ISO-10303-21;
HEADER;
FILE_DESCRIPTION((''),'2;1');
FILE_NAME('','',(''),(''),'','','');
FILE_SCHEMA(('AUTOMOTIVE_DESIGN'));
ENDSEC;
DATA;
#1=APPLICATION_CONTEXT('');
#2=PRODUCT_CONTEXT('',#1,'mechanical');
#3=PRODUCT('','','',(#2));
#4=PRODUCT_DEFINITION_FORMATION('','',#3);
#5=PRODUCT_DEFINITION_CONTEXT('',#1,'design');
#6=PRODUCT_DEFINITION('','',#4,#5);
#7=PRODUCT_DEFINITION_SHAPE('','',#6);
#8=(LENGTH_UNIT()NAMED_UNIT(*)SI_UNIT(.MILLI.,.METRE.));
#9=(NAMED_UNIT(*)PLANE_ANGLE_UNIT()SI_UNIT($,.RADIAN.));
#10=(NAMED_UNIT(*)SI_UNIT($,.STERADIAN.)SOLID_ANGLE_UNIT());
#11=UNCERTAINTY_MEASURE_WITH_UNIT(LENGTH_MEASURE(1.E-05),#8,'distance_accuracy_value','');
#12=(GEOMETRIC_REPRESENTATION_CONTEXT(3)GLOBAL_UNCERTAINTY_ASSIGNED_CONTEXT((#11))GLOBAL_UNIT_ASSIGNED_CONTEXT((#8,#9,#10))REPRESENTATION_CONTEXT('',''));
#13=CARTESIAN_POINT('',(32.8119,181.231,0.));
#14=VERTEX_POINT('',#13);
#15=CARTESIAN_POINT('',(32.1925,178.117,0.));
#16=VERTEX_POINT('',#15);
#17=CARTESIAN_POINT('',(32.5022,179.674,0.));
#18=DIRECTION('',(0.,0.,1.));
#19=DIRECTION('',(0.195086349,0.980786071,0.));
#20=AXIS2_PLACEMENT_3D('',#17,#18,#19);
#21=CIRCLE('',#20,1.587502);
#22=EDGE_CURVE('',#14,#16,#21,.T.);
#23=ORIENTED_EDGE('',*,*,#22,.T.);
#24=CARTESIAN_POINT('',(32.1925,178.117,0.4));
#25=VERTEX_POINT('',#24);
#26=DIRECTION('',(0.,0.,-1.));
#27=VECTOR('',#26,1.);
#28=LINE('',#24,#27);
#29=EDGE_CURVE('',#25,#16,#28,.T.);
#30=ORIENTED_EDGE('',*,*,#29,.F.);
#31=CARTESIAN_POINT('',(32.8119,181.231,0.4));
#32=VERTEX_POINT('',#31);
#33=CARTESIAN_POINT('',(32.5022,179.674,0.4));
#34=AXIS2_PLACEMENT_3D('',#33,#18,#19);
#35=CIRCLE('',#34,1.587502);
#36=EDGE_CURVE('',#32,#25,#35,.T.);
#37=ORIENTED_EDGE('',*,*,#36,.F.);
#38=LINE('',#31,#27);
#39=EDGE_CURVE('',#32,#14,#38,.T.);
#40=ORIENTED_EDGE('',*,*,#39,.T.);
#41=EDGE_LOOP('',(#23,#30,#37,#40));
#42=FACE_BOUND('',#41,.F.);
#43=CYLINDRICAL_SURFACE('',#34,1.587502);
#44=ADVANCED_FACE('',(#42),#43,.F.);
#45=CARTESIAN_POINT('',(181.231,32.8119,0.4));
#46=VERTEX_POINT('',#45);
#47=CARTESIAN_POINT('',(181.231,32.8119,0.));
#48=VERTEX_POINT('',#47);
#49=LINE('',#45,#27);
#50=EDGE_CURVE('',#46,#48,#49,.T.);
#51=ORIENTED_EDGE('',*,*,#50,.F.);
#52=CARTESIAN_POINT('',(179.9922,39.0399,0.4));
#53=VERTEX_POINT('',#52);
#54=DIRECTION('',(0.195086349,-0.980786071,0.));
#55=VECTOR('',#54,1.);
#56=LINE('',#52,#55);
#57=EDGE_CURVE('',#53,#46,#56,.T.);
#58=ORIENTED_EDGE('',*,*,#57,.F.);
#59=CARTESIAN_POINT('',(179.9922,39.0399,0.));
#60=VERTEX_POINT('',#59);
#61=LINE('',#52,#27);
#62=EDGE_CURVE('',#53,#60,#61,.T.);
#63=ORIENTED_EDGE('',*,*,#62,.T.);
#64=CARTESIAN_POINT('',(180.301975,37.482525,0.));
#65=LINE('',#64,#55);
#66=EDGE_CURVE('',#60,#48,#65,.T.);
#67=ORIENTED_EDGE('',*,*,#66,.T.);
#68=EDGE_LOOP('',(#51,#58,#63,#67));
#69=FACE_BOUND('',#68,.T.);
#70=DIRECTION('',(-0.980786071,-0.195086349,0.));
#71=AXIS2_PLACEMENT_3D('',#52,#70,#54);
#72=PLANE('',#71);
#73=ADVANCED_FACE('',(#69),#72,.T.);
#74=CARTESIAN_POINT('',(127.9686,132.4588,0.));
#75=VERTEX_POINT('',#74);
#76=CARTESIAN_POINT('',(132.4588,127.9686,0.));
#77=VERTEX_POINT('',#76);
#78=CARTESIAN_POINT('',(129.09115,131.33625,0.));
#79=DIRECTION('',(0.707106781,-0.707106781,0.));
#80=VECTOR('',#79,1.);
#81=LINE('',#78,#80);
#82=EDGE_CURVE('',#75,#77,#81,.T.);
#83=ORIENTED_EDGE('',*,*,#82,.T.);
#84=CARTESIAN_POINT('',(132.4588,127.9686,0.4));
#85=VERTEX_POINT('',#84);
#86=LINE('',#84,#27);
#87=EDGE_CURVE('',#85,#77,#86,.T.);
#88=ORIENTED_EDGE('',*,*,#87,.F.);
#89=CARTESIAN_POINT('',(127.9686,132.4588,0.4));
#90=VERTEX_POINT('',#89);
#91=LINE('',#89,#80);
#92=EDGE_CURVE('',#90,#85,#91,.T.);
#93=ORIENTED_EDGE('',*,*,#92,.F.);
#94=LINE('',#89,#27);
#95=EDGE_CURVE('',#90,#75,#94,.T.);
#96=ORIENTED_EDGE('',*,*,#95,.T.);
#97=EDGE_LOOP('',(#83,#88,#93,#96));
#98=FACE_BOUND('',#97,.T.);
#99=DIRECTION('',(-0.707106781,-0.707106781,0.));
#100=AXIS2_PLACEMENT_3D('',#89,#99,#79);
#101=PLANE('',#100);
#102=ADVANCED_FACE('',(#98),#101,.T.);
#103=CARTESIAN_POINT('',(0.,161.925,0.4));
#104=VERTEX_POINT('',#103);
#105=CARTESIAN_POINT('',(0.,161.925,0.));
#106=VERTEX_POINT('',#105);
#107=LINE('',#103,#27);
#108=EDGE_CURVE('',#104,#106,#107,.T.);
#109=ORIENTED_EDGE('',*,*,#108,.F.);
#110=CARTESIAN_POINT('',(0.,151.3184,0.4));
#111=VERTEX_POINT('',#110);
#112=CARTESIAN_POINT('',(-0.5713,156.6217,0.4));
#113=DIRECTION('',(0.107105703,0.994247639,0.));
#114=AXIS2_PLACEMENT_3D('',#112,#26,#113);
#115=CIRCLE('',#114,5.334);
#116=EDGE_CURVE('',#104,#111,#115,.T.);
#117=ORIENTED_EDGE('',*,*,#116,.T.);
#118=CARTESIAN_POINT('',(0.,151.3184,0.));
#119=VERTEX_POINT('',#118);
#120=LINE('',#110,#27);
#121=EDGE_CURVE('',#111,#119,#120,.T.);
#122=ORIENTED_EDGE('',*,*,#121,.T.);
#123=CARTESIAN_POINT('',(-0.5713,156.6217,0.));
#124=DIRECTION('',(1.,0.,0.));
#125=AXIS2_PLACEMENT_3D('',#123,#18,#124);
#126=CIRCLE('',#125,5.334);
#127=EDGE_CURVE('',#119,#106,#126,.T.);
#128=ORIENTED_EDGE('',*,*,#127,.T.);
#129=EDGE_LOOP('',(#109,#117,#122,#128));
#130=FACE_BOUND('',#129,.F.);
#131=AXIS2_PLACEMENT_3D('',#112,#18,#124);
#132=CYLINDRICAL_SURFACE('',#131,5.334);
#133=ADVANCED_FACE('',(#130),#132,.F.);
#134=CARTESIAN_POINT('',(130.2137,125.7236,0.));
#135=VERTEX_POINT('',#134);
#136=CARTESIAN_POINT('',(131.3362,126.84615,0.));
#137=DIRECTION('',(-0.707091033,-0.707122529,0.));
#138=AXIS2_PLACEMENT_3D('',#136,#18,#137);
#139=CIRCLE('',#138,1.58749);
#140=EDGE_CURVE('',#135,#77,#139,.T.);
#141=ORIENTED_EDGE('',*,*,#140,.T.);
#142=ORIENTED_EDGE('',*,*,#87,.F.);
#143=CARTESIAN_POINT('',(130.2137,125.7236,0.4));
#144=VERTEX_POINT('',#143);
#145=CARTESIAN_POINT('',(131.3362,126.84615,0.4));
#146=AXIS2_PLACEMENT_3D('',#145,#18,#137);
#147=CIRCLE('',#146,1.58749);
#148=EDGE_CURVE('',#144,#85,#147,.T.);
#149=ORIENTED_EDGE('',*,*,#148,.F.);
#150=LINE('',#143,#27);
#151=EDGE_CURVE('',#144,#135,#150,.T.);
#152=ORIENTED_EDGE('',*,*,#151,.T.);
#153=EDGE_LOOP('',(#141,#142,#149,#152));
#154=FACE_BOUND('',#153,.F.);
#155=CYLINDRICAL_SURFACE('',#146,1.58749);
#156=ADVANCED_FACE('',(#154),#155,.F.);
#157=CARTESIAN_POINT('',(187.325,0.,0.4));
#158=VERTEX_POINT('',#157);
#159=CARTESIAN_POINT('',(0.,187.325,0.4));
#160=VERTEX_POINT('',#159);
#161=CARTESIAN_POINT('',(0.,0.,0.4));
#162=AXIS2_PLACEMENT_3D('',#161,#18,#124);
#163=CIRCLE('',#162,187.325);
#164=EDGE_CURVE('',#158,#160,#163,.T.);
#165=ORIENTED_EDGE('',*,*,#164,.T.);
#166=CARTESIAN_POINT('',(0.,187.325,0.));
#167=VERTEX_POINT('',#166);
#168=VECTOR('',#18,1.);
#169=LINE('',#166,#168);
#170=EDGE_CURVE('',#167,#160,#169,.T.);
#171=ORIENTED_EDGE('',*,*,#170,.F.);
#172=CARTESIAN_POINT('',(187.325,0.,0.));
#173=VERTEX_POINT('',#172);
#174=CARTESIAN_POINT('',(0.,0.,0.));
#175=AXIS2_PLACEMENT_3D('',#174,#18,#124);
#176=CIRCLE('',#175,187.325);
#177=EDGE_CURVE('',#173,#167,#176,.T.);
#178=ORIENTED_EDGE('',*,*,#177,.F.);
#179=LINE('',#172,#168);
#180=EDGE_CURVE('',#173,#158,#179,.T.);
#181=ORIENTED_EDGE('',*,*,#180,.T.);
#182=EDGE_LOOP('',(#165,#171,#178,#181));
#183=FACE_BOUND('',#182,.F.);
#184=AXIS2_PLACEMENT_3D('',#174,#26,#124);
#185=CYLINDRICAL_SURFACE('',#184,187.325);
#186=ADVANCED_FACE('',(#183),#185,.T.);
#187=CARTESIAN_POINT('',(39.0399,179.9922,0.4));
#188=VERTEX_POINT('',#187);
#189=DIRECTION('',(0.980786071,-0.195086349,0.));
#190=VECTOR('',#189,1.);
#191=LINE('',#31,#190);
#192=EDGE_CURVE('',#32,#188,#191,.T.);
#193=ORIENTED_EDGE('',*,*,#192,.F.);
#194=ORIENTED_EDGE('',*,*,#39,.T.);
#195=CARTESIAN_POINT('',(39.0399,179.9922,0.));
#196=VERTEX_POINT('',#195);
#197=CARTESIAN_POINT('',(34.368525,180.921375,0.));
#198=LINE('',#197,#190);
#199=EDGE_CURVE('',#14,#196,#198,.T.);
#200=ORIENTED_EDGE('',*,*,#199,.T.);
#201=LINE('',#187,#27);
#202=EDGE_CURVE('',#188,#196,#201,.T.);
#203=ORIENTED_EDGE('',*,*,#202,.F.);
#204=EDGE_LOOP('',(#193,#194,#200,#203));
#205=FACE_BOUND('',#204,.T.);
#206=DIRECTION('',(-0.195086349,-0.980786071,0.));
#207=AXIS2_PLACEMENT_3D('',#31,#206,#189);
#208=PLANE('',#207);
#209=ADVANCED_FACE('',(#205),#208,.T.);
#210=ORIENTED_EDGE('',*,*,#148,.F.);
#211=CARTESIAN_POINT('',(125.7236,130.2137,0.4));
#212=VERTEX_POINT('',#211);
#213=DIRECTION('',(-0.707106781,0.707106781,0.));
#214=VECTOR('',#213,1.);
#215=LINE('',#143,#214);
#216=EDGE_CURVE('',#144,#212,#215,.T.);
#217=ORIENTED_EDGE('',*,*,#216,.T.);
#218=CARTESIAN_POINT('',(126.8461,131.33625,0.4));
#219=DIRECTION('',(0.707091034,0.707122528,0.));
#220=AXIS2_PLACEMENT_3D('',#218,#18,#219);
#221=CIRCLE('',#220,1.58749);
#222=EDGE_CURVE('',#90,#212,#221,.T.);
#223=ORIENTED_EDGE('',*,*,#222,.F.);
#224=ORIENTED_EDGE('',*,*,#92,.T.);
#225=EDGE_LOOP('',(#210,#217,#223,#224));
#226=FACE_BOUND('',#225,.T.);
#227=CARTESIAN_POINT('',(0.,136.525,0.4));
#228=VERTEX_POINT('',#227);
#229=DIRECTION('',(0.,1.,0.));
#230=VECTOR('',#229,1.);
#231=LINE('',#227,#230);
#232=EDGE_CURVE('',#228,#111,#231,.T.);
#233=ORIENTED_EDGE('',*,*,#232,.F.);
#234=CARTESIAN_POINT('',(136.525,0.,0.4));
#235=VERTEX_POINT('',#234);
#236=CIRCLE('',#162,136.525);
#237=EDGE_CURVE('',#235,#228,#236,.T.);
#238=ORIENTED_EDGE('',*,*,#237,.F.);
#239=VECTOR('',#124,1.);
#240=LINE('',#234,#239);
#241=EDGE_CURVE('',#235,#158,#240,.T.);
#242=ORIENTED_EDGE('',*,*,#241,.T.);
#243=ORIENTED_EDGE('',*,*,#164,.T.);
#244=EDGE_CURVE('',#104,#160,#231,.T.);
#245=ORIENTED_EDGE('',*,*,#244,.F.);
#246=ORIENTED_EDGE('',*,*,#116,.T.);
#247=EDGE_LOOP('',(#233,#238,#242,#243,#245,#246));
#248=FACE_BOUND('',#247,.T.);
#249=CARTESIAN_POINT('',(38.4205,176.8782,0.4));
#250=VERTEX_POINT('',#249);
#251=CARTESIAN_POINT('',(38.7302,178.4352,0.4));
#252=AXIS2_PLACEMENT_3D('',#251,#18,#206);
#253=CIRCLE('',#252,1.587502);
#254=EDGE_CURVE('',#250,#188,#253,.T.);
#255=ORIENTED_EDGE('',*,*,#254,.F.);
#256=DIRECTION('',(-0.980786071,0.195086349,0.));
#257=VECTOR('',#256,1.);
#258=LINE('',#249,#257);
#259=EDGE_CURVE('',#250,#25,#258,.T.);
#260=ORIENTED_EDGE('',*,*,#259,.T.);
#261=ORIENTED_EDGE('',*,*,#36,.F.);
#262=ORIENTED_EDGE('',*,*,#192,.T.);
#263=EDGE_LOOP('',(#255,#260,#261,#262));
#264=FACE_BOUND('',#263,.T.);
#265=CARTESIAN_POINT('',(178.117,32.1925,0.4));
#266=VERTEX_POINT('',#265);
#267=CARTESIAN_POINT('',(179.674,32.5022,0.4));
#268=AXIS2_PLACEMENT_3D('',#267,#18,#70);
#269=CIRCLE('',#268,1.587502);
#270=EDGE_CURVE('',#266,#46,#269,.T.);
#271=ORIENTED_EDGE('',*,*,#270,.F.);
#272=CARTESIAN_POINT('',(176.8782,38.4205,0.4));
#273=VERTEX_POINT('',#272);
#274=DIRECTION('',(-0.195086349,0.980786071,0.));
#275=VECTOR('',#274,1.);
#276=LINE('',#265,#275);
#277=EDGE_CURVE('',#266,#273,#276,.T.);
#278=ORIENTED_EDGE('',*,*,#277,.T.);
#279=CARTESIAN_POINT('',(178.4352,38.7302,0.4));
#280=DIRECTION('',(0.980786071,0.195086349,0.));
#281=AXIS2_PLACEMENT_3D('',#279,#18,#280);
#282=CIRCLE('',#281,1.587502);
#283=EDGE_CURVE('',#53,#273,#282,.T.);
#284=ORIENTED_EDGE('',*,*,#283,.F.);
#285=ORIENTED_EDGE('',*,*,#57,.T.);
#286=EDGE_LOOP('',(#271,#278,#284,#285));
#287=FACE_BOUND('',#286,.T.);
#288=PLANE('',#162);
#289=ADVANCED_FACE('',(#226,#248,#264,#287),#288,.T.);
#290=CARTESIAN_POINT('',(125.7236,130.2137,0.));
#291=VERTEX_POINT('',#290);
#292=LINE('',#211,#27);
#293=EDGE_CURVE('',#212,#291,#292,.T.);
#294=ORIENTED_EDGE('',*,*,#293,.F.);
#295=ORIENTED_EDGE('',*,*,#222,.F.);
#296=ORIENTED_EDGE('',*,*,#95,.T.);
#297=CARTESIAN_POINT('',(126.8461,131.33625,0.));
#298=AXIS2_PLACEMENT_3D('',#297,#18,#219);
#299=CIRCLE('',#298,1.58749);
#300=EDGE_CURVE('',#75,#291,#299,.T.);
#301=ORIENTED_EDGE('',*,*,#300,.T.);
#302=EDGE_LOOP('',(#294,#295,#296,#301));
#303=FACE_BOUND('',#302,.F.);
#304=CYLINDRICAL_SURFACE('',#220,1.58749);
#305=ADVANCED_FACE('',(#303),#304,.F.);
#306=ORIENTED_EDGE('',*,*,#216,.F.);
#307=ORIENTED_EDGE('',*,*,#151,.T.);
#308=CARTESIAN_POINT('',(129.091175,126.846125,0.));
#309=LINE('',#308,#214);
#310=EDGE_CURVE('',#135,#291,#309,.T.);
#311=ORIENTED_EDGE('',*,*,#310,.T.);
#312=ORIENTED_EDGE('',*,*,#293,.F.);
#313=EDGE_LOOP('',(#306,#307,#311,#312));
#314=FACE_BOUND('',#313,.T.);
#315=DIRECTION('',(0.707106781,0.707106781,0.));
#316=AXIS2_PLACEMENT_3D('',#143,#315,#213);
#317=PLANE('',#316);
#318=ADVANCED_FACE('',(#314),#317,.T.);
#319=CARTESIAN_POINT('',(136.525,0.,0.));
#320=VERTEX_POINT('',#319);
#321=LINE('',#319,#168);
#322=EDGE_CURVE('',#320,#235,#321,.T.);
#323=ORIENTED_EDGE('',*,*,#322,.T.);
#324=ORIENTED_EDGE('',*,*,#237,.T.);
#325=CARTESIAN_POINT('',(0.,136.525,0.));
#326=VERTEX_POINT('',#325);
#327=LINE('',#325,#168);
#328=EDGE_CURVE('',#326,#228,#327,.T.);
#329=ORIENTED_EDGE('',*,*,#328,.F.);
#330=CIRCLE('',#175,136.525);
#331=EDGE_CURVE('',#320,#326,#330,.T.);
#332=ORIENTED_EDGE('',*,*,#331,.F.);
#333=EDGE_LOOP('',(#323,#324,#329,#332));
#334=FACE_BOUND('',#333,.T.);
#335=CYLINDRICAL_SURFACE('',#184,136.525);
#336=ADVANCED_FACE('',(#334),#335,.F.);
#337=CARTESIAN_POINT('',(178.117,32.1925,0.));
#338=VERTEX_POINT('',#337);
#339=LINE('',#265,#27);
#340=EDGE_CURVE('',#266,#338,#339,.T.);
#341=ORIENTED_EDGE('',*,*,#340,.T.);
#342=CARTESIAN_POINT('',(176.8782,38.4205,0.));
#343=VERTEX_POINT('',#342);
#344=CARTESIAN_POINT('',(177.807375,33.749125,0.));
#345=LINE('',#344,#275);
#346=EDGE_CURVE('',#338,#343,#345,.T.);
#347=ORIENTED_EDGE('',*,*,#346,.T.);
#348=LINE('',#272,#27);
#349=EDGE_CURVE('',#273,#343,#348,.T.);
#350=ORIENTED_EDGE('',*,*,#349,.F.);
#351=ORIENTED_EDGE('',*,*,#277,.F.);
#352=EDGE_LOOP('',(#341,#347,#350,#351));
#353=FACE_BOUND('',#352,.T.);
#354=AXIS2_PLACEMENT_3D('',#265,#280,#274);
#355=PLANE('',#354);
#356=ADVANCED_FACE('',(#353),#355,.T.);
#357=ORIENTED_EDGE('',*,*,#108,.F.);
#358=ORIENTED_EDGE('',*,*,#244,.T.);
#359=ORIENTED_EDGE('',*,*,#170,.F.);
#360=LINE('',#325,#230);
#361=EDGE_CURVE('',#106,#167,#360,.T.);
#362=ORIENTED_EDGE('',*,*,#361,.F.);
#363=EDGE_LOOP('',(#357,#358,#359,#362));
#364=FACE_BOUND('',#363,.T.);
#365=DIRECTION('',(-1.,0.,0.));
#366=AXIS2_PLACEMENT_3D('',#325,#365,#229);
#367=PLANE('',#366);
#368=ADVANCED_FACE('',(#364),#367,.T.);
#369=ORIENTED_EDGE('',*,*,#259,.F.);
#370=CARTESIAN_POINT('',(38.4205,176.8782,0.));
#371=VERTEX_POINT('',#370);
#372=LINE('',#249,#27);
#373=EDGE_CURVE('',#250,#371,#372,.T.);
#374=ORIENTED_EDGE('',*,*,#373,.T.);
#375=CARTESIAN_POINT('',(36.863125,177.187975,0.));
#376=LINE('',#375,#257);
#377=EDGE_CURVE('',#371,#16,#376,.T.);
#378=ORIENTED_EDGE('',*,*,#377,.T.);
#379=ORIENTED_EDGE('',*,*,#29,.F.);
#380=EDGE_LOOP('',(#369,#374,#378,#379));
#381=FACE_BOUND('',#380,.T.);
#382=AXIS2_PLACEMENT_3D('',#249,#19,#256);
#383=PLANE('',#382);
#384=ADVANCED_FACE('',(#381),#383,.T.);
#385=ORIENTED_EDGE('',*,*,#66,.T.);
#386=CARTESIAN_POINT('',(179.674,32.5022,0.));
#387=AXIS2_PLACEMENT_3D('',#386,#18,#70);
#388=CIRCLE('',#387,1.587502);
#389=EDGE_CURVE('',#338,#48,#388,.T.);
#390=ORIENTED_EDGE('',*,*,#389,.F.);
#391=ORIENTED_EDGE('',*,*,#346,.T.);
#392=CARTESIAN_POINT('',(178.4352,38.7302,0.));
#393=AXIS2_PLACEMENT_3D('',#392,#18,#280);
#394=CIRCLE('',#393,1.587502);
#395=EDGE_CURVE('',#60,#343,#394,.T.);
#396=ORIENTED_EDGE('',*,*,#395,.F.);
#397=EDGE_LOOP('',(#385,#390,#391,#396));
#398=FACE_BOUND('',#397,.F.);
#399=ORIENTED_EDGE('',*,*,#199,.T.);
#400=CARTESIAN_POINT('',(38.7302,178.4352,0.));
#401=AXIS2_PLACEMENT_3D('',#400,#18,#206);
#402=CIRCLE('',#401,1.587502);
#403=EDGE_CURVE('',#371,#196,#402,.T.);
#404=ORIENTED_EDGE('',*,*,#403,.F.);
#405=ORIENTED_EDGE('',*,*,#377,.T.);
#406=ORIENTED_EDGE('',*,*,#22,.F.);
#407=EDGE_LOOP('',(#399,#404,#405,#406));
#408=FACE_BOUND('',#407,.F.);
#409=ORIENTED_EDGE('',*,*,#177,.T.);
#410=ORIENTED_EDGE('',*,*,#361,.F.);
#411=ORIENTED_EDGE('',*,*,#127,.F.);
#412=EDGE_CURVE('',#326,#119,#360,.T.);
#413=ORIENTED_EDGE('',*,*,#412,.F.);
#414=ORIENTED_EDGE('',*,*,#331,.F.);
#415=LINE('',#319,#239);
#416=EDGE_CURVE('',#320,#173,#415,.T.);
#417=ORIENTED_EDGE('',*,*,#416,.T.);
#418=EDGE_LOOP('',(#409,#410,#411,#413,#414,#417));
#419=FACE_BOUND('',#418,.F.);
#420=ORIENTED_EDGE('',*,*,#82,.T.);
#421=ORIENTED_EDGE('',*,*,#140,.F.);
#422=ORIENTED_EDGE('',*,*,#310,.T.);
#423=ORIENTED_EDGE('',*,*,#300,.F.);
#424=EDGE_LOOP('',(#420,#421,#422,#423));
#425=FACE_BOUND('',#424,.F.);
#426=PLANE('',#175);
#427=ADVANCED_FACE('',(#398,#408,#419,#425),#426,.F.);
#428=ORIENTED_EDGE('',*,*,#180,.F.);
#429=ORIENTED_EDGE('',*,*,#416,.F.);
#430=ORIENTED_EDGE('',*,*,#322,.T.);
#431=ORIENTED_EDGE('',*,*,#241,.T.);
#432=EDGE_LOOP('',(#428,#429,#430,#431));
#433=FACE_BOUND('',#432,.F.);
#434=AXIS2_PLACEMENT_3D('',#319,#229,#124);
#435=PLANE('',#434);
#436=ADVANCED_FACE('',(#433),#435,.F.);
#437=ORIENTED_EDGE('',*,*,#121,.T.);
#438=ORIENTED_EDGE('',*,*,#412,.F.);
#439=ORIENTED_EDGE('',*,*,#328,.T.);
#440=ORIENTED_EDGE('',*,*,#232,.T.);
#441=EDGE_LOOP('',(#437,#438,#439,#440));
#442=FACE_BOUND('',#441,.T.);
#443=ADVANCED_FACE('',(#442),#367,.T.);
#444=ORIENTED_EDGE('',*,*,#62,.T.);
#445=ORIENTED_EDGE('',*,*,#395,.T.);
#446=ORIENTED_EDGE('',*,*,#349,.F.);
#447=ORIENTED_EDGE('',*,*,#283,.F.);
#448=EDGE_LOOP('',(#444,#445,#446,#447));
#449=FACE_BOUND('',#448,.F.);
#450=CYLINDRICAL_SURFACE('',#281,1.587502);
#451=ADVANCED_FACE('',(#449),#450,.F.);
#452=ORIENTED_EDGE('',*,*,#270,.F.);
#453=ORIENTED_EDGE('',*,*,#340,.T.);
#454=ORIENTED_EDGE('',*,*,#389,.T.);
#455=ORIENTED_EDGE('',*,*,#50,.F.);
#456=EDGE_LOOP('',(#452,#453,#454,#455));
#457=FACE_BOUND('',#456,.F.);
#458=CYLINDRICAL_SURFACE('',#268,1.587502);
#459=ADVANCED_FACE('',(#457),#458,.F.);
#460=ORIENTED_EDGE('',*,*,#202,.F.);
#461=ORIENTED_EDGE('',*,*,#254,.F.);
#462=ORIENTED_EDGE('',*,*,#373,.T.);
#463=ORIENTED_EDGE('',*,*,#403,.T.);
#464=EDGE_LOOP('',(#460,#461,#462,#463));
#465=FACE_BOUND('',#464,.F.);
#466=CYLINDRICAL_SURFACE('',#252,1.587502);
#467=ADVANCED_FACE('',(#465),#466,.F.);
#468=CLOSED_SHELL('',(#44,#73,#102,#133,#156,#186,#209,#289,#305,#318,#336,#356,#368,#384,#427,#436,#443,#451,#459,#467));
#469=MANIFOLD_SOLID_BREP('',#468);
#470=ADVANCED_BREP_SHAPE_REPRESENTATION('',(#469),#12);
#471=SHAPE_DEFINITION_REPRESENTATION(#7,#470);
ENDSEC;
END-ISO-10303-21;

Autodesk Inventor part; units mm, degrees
ref_plane "YZ Plane" through (0, 0, 0) normal (1, 0, 0) x (0, 1, 0)
ref_plane "XZ Plane" through (0, 0, 0) normal (0, 1, 0) x (-1, 0, 0)
ref_plane "XY Plane" through (0, 0, 0) normal (0, 0, 1) x (1, 0, 0)
sketch "Sketch1" plane through (0, 0, 0) normal (0, 0, 1) x (1, 0, 0)
  arc A0 (187.325, 0) -> (0, 187.325) centre (0, 0) ccw
  arc A1 (136.525, 0) -> (0, 136.525) centre (0, 0) ccw
  line L0 (0, 136.525) -> (0, 187.325)
  line L1 (136.525, 0) -> (187.325, 0)
  point P0 (161.925, 0)
  point P1 (0, 161.925)
  dimension "d2" = 187.325
  dimension "d3" = 136.525
extrude "Extrusion1" add sketch "Sketch1" along normal blind 0.4
sketch "Sketch3" plane through (0, 0, 0.4) normal (0, 0, 1) x (1, 0, 0)
  line L0 (178.117, 32.1925) -> (176.8782, 38.4205) projected
  arc A0 (178.117, 32.1925) -> (181.231, 32.8119) centre (179.674, 32.5022) ccw projected
  line L1 (179.9922, 39.0399) -> (181.231, 32.8119) projected
  arc A1 (179.9922, 39.0399) -> (176.8782, 38.4205) centre (178.4352, 38.7302) ccw projected
  line L2 (130.2137, 125.7236) -> (125.7236, 130.2137) projected
  arc A2 (130.2137, 125.7236) -> (132.4588, 127.9686) centre (131.3362, 126.8461) ccw projected
  arc A3 (127.9686, 132.4588) -> (125.7236, 130.2137) centre (126.8461, 131.3362) ccw projected
  line L3 (127.9686, 132.4588) -> (132.4588, 127.9686) projected
  line L4 (38.4205, 176.8782) -> (32.1925, 178.117) projected
  arc A4 (38.4205, 176.8782) -> (39.0399, 179.9922) centre (38.7302, 178.4352) ccw projected
  line L5 (32.8119, 181.231) -> (39.0399, 179.9922) projected
  arc A5 (32.8119, 181.231) -> (32.1925, 178.117) centre (32.5022, 179.674) ccw projected
  arc A6 (0, 161.925) -> (0, 151.3184) centre (-0.5713, 156.6217) ccw projected
  circle A7 centre (-0.5713, 156.6217) radius 5.334
  point P0 (0, 0)
  point P1 (0, 161.925)
extrude "Extrusion2" cut sketch "Sketch3" against normal through all
properties part number "3DPRINT,CABLE,TRAY" material "ABS Plastic"
